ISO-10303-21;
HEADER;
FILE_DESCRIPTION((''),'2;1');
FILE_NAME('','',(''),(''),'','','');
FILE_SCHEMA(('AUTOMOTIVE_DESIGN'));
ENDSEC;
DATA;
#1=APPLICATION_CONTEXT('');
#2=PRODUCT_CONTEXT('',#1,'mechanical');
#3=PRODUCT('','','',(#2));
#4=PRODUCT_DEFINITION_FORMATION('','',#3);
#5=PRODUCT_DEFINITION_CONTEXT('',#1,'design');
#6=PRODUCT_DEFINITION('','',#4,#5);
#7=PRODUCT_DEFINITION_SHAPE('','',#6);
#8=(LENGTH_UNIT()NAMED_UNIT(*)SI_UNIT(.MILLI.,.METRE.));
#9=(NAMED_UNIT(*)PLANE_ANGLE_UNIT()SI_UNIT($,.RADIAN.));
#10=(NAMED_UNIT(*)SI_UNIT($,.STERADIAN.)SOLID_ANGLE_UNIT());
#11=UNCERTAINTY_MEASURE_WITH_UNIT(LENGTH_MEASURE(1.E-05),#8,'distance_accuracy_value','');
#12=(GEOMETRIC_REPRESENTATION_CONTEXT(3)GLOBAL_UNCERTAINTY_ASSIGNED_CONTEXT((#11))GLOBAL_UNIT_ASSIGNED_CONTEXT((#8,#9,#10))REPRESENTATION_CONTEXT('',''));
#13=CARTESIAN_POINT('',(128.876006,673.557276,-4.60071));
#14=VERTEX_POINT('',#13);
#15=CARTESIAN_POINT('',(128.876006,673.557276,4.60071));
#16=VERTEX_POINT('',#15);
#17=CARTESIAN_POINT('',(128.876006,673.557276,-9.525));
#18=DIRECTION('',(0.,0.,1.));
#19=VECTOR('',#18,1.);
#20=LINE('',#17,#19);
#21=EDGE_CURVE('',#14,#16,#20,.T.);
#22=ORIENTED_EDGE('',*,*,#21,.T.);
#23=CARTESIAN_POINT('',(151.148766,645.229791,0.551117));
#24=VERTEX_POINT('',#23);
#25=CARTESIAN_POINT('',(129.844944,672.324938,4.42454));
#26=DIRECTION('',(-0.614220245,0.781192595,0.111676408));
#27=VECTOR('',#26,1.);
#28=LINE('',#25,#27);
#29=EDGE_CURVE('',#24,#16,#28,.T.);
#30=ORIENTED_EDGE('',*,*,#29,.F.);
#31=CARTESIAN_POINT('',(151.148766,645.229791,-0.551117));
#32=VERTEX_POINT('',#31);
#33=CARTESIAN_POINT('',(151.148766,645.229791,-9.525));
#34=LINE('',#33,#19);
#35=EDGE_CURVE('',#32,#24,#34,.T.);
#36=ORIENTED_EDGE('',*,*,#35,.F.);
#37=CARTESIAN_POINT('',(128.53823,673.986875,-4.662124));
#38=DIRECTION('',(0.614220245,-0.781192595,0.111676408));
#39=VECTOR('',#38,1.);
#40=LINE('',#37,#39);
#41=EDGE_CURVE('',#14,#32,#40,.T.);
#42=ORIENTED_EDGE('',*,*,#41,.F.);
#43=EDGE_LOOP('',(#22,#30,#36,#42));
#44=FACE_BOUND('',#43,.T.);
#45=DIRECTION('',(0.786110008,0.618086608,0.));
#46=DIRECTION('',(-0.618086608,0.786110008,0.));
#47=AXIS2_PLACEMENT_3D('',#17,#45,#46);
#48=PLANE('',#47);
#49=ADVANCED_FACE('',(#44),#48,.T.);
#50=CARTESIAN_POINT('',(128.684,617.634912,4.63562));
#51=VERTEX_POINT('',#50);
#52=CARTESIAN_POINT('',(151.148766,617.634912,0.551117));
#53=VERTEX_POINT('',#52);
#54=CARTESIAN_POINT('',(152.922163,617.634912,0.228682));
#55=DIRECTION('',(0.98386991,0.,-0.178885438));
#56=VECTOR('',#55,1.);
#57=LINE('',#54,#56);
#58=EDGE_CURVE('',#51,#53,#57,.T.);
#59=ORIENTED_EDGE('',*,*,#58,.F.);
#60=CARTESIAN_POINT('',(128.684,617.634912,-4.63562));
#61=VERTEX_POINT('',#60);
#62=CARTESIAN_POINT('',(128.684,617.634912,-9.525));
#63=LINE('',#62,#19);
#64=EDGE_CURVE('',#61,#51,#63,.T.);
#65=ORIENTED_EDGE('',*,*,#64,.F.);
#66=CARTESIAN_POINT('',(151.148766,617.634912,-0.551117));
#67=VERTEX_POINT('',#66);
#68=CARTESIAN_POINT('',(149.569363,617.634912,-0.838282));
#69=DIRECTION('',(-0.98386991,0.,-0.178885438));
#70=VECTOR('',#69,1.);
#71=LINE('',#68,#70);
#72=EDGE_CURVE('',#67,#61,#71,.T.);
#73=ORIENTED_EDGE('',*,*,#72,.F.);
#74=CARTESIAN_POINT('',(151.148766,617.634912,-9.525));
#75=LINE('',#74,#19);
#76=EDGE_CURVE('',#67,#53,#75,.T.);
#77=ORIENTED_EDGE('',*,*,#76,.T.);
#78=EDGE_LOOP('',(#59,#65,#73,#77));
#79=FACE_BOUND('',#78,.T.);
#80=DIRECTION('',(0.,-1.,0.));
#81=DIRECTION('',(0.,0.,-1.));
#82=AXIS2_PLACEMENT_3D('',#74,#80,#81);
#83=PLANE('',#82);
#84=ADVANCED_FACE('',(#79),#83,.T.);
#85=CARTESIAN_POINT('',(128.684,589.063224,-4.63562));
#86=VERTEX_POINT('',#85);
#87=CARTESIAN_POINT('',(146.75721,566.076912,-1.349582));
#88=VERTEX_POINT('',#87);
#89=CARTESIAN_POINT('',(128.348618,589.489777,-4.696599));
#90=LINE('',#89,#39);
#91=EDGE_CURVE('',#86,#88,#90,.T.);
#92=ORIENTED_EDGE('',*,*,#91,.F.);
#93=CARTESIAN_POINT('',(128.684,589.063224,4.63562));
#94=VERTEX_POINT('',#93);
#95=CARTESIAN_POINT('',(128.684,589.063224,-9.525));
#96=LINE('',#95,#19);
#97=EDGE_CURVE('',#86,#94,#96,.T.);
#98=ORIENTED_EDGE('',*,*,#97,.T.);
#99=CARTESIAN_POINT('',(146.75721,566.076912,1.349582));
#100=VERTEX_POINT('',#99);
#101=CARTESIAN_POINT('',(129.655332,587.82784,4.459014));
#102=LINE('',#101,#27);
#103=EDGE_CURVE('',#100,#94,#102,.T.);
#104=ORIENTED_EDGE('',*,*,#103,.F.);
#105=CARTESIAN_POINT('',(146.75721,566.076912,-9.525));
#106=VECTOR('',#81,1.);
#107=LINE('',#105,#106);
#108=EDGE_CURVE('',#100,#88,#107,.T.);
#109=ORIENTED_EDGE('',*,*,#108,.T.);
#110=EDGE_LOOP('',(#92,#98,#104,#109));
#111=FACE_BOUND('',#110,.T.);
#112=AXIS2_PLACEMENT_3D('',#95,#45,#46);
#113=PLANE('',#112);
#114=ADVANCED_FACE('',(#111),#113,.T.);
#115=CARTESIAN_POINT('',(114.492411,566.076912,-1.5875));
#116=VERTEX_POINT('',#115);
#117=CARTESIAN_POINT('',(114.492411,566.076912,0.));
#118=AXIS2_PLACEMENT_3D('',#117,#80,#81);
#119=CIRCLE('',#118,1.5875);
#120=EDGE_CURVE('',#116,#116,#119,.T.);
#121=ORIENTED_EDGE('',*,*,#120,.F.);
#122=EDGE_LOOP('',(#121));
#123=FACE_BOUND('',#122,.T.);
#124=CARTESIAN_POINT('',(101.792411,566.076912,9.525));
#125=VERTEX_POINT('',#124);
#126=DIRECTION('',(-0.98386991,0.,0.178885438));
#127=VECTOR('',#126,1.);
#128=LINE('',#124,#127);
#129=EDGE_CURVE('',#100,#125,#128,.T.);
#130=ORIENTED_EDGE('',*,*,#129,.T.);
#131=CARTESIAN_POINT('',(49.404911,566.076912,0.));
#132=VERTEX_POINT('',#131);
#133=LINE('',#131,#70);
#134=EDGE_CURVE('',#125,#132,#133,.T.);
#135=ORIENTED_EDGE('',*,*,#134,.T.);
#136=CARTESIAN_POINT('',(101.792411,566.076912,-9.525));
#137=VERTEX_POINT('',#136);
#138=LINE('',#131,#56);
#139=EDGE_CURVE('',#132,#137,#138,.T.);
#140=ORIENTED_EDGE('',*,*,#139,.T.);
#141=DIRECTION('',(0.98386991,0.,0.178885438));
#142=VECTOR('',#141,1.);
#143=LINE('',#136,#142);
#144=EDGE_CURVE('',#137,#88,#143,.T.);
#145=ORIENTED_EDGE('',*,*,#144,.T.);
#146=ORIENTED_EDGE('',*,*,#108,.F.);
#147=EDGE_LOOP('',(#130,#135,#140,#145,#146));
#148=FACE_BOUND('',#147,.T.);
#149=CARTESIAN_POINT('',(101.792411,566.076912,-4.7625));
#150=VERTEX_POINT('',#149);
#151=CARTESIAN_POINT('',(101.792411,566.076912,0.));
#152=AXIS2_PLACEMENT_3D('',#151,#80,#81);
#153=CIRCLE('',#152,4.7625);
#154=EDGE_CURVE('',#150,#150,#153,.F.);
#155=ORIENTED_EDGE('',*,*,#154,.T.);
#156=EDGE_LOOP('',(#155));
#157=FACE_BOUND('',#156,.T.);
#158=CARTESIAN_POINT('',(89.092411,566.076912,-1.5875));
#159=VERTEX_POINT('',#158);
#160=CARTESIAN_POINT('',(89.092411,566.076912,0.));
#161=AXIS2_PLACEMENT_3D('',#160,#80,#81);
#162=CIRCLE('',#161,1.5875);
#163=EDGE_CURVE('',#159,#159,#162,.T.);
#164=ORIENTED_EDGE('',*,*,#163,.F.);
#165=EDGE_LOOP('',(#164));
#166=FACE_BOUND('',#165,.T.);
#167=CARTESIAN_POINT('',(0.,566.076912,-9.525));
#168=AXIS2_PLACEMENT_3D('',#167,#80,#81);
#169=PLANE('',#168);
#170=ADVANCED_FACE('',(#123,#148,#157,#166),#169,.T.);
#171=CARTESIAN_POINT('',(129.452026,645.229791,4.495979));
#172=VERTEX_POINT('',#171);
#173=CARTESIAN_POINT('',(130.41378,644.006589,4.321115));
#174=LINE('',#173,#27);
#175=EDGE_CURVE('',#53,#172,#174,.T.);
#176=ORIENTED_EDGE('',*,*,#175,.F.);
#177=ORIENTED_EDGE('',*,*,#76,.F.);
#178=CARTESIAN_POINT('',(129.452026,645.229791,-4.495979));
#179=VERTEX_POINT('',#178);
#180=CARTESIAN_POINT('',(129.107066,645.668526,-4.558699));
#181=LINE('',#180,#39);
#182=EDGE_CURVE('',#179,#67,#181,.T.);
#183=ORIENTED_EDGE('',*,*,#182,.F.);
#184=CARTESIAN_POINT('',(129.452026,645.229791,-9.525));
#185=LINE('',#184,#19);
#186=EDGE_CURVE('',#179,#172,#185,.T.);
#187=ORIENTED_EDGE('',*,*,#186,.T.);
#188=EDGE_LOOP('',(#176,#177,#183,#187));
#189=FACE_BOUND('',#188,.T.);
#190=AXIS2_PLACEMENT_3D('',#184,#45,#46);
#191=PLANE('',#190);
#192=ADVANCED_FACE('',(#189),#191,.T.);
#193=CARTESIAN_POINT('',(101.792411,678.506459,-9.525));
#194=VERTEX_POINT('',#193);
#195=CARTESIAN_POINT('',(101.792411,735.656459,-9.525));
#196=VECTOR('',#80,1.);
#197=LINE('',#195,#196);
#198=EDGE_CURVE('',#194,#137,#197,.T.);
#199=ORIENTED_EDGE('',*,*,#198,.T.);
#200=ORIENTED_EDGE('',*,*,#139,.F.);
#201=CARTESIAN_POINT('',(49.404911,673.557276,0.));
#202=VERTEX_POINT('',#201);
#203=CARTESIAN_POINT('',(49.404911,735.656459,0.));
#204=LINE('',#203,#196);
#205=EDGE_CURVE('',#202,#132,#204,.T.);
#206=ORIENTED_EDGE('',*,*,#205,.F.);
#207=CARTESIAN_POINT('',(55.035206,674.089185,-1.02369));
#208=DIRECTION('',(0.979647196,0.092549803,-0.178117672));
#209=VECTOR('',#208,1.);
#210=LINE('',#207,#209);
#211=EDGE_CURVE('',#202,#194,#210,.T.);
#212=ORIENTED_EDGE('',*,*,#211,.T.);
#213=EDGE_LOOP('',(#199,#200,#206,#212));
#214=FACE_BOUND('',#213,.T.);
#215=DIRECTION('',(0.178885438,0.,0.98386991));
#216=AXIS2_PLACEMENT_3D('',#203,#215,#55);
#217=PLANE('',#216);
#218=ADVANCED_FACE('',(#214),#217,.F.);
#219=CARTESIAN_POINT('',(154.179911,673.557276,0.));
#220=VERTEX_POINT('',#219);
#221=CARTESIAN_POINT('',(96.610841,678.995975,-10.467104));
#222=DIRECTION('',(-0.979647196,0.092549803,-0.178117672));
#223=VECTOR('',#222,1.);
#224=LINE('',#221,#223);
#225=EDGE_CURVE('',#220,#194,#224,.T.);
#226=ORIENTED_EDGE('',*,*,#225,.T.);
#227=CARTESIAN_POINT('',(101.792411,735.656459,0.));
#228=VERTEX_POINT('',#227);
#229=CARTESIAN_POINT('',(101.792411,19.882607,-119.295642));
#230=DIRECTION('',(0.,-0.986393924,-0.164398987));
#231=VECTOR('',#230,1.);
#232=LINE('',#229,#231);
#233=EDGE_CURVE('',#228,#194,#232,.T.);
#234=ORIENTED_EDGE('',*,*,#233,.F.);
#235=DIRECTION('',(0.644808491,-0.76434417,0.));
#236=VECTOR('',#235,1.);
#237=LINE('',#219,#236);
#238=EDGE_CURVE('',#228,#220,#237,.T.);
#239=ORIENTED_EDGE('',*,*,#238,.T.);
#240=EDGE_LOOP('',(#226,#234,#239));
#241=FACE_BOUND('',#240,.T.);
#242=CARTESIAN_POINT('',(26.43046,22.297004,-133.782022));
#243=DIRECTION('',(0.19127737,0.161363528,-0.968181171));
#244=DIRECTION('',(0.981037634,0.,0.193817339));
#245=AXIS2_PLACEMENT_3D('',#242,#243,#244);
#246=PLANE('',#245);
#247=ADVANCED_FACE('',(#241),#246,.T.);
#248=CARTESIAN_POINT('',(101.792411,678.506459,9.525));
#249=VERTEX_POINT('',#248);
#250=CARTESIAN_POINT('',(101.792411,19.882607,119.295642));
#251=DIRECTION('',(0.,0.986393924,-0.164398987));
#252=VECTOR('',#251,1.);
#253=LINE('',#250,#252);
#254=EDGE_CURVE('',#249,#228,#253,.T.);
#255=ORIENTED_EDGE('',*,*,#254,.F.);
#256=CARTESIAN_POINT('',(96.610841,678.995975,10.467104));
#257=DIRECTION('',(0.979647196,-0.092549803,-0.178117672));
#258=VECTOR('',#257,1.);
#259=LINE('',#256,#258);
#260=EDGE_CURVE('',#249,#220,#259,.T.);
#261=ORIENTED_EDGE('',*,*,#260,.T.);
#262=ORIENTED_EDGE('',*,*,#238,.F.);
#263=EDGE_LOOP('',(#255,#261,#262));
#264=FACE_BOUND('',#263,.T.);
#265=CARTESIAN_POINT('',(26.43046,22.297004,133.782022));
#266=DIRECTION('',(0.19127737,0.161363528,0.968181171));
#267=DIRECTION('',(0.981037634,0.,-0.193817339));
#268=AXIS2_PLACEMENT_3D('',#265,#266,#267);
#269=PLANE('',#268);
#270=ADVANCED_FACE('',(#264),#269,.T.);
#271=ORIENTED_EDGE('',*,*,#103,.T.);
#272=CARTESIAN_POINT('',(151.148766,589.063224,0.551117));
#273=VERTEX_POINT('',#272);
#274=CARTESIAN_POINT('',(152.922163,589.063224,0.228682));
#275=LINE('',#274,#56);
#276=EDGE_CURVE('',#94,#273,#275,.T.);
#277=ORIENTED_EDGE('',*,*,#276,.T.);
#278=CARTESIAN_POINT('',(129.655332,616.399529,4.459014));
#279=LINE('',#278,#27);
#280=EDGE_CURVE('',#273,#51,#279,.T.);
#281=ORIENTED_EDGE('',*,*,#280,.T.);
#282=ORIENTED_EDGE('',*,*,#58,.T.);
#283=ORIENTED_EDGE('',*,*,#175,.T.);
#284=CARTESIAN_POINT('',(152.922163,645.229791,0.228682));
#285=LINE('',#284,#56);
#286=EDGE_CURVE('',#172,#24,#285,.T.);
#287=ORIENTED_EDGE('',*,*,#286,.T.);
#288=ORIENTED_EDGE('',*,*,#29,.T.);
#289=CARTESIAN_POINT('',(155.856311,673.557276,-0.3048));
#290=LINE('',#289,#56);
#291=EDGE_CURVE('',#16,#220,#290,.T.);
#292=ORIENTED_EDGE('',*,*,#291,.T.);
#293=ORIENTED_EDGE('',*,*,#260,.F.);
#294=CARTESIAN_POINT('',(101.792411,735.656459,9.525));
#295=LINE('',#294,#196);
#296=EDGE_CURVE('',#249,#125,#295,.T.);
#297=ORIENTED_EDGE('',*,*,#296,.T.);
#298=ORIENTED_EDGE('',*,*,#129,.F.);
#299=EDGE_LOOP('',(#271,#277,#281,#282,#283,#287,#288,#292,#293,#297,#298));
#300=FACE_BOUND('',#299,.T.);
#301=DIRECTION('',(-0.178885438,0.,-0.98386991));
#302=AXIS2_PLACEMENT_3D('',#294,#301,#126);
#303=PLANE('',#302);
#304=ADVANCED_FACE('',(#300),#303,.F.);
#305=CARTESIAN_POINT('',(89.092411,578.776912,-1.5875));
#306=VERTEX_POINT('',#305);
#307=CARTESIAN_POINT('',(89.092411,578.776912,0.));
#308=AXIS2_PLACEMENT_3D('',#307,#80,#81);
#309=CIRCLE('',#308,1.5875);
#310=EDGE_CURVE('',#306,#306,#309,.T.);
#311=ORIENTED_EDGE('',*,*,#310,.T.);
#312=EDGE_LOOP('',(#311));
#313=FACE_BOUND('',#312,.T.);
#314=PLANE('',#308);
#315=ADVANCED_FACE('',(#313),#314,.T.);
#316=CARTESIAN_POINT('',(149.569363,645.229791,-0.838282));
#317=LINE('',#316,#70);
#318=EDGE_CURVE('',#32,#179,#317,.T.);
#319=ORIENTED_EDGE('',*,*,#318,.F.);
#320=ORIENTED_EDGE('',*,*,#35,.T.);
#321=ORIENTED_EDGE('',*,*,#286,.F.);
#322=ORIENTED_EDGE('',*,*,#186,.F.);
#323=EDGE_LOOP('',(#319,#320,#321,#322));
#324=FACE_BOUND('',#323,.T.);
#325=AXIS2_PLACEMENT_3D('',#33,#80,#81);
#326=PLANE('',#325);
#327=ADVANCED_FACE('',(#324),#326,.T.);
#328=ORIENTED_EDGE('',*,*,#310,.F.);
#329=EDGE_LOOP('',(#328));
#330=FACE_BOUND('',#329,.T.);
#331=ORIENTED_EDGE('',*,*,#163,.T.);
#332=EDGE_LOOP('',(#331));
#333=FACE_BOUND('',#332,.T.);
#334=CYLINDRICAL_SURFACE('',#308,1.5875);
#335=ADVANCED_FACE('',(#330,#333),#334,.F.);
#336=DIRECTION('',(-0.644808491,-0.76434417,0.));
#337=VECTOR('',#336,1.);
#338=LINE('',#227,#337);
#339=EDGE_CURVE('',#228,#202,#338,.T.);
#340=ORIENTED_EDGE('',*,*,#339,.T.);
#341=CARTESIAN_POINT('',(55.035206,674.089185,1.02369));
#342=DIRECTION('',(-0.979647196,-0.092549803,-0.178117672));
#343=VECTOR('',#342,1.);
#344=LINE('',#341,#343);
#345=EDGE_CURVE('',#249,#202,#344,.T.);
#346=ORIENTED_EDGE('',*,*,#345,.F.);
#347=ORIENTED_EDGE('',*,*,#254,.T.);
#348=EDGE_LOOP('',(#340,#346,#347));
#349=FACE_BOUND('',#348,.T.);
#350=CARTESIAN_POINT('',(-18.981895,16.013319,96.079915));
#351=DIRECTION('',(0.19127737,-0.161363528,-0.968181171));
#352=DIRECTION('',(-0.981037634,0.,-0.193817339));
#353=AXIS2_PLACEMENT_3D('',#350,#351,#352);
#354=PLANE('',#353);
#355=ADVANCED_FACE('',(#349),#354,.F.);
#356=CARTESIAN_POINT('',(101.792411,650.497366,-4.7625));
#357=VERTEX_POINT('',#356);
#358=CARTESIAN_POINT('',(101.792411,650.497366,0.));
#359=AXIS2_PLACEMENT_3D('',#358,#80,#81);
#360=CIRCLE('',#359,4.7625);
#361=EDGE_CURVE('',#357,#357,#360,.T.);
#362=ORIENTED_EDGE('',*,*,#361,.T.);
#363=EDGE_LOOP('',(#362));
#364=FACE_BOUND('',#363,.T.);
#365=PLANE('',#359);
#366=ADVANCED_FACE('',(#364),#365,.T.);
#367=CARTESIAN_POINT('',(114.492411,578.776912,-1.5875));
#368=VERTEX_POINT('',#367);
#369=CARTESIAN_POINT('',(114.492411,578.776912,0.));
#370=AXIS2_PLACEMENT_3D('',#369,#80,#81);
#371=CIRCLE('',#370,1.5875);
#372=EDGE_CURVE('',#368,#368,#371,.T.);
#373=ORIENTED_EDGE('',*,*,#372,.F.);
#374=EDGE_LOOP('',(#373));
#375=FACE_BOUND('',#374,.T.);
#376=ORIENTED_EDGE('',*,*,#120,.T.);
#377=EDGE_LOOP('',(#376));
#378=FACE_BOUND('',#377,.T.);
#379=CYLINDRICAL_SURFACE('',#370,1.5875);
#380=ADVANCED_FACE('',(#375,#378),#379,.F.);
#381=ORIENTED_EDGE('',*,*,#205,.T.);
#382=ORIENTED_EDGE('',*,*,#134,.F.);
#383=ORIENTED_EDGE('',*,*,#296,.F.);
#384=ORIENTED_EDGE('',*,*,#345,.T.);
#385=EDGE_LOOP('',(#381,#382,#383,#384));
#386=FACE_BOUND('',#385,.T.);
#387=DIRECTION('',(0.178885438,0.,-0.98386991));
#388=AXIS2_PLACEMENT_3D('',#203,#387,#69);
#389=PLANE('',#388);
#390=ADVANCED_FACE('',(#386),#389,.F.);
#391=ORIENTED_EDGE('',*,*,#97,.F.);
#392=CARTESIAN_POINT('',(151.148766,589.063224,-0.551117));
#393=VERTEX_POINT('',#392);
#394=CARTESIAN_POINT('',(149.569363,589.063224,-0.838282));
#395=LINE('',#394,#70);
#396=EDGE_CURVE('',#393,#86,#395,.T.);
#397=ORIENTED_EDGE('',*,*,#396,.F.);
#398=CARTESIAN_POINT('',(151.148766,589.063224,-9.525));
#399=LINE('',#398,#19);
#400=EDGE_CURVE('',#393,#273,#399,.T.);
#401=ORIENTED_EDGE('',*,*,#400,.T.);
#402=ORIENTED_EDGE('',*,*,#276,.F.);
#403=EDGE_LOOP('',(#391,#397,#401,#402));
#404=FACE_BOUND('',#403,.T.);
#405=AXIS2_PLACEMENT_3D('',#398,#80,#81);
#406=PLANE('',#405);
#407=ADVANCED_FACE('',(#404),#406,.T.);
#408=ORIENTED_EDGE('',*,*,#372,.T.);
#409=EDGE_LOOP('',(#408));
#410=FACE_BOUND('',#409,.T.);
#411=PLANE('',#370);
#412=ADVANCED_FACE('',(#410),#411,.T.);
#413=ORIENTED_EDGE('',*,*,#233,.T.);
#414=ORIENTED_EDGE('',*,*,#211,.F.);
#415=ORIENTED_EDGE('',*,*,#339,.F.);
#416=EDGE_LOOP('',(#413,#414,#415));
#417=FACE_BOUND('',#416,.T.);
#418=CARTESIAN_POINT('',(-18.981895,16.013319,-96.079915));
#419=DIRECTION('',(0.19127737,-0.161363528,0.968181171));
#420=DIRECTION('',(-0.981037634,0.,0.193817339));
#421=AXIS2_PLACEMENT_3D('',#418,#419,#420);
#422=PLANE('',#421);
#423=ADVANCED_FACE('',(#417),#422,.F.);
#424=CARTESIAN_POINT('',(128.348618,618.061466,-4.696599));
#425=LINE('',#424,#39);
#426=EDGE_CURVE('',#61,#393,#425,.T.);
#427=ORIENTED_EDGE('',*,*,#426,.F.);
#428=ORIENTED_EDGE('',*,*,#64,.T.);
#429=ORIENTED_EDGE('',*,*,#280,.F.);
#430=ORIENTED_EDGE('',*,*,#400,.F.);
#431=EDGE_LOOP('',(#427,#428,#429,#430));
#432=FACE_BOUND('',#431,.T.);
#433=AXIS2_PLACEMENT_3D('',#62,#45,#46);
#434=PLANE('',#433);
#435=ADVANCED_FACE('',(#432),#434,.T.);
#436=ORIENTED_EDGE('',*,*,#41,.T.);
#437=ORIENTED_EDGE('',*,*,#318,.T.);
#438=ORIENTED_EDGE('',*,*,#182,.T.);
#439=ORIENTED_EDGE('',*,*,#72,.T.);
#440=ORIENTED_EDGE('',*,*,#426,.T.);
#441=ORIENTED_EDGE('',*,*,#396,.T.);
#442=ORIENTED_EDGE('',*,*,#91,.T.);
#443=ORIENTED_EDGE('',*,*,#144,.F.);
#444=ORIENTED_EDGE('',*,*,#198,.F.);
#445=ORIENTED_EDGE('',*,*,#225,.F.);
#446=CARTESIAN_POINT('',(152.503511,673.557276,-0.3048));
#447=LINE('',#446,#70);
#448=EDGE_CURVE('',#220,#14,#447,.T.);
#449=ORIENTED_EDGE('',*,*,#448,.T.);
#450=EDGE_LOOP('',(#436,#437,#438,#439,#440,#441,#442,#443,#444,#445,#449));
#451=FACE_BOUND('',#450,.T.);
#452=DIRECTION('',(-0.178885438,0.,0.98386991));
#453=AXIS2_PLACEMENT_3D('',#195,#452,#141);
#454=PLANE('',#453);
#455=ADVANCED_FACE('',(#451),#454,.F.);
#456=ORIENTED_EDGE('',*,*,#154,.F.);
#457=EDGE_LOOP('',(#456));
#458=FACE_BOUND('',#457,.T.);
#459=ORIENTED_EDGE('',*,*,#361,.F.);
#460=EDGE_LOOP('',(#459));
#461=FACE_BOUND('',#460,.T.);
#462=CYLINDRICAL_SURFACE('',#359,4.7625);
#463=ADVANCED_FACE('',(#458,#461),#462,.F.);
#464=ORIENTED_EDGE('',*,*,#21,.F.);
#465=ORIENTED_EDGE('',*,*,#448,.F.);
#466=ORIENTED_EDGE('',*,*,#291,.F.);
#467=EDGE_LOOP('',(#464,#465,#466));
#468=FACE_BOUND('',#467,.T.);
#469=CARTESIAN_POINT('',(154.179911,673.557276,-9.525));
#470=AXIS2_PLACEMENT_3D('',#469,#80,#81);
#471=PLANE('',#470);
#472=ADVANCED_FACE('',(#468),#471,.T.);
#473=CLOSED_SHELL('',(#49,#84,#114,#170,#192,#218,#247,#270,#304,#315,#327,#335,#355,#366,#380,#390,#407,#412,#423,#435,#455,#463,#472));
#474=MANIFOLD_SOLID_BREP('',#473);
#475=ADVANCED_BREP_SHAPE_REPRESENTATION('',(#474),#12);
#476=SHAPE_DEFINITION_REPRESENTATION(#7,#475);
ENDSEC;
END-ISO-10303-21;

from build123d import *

# Parameters (mm, degrees)
BOSS_EXTRUDE1_DEPTH      = 9.525
BOSS_EXTRUDE1_DEPTH_BACK = 9.525
CUT_EXTRUDE1_DEPTH       = 373.680910299
CUT_EXTRUDE2_DEPTH       = 373.680910299
SKETCH5_W                = 97.518379051
SKETCH5_H                = 136.419580789
CUT_EXTRUDE3_DEPTH       = 739.741184154
SKETCH6_W                = 75.100700845
SKETCH6_H                = 154.277977479
CUT_EXTRUDE4_DEPTH       = 748.678846608
SKETCH7_R                = 4.7625
CUT_EXTRUDE5_DEPTH       = 254
CUT_EXTRUDE6_DEPTH       = 752.699804454
CUT_EXTRUDE6_DEPTH_BACK  = 752.699804454
SKETCH11_R               = 1.5875
CUT_EXTRUDE9_DEPTH       = 12.7


with BuildPart() as part:
    # Sketch1 → Boss-Extrude1 (new, two sides: drawn at the far end of the back side and taken through both)
    with BuildSketch(Plane.XY.offset(-BOSS_EXTRUDE1_DEPTH_BACK)):
        Polygon((101.792411443, 735.656458749), (49.404911443, 673.557276224), (49.404911443, 396.497366015), (154.179911443, 396.497366015), (154.179911443, 556.636391043), (128.683999881, 589.063224066), (151.148766449, 589.063224066), (128.683999881, 617.634912224), (151.148766449, 617.634912224), (129.452026088, 645.229790529), (151.148766449, 645.229790529), (128.876006433, 673.557276224), (154.179911443, 673.557276224), align=None)
    extrude(amount=BOSS_EXTRUDE1_DEPTH + BOSS_EXTRUDE1_DEPTH_BACK)

    # Sketch2 → Cut-Extrude1 (cut, through all)
    with BuildSketch(Plane(origin=(0, 396.497366015, 0), x_dir=(-1, 0, 0), z_dir=(0, -1, 0))):
        Polygon((-49.404911443, 0), (-101.792411443, -9.525), (-154.179911443, 0), (-159.65732669, 0), (-159.65732669, -13.649148588), (-44.158493861, -13.649148588), (-44.158493861, 0), align=None)
    extrude(amount=-CUT_EXTRUDE1_DEPTH, mode=Mode.SUBTRACT)

    # Sketch3 → Cut-Extrude2 (cut, through all)
    with BuildSketch(Plane.XZ.offset(-396.497366015)):
        Polygon((49.404911443, 0), (101.792411443, -9.525), (154.179911443, 0), (159.580570647, 0), (159.580570647, -14.500746269), (43.682013433, -14.500746269), (43.682013433, 0), align=None)
    extrude(amount=-CUT_EXTRUDE2_DEPTH, mode=Mode.SUBTRACT)

    # Sketch5 → Cut-Extrude3 (cut, through all)
    with BuildSketch(Plane(origin=(26.430459561, 22.297003663, 133.782021979), x_dir=(0.9815360247212257, -0.031445805879602766, -0.1886748352776165), z_dir=(0.1912773697394791, 0.16136352846789567, 0.9681811708073739))):
        with Locations((89.248369642, 700.742830845)):
            Rectangle(SKETCH5_W, SKETCH5_H)
    cut_extrude3 = extrude(amount=CUT_EXTRUDE3_DEPTH, mode=Mode.SUBTRACT)

    # Sketch6 → Cut-Extrude4 (cut, through all)
    with BuildSketch(Plane(origin=(-18.981895096, 16.01331916, 96.079914958), x_dir=(0.9815360247212258, 0.03144580587960229, 0.18867483527761636), z_dir=(-0.19127736973947887, 0.1613635284678934, 0.9681811708073744))):
        with Locations((98.873573013, 697.792784398)):
            Rectangle(SKETCH6_W, SKETCH6_H)
    cut_extrude4 = extrude(amount=CUT_EXTRUDE4_DEPTH, mode=Mode.SUBTRACT)

    # Mirror1: Cut-Extrude3, Cut-Extrude4 across plane
    add(cut_extrude3.mirror(Plane.XY), mode=Mode.SUBTRACT)
    add(cut_extrude4.mirror(Plane.XY), mode=Mode.SUBTRACT)

    # Sketch7 → Cut-Extrude5 (cut)
    with BuildSketch(Plane.XZ.offset(-396.497366015)):
        with Locations((101.792411443, 0)):
            Circle(SKETCH7_R)
    extrude(amount=-CUT_EXTRUDE5_DEPTH, mode=Mode.SUBTRACT)

    # Sketch8 → Cut-Extrude6 (cut, two sides: drawn at the far end of the back side and taken through both)
    with BuildSketch(Plane.XY.offset(-CUT_EXTRUDE6_DEPTH_BACK)):
        Polygon((101.792411443, 566.076912382), (-21.644649604, 566.076912382), (-21.644649604, 347.628500893), (201.352960681, 347.628500893), (201.352960681, 566.076912382), align=None)
    extrude(amount=CUT_EXTRUDE6_DEPTH + CUT_EXTRUDE6_DEPTH_BACK, mode=Mode.SUBTRACT)

    # Sketch11 → Cut-Extrude9 (cut)
    with BuildSketch(Plane.XZ.offset(-566.076912382)):
        with Locations((89.092411443, 0)):
            Circle(SKETCH11_R)
        with Locations((114.492411443, 0)):
            Circle(SKETCH11_R)
    extrude(amount=-CUT_EXTRUDE9_DEPTH, mode=Mode.SUBTRACT)


solid = part.part
